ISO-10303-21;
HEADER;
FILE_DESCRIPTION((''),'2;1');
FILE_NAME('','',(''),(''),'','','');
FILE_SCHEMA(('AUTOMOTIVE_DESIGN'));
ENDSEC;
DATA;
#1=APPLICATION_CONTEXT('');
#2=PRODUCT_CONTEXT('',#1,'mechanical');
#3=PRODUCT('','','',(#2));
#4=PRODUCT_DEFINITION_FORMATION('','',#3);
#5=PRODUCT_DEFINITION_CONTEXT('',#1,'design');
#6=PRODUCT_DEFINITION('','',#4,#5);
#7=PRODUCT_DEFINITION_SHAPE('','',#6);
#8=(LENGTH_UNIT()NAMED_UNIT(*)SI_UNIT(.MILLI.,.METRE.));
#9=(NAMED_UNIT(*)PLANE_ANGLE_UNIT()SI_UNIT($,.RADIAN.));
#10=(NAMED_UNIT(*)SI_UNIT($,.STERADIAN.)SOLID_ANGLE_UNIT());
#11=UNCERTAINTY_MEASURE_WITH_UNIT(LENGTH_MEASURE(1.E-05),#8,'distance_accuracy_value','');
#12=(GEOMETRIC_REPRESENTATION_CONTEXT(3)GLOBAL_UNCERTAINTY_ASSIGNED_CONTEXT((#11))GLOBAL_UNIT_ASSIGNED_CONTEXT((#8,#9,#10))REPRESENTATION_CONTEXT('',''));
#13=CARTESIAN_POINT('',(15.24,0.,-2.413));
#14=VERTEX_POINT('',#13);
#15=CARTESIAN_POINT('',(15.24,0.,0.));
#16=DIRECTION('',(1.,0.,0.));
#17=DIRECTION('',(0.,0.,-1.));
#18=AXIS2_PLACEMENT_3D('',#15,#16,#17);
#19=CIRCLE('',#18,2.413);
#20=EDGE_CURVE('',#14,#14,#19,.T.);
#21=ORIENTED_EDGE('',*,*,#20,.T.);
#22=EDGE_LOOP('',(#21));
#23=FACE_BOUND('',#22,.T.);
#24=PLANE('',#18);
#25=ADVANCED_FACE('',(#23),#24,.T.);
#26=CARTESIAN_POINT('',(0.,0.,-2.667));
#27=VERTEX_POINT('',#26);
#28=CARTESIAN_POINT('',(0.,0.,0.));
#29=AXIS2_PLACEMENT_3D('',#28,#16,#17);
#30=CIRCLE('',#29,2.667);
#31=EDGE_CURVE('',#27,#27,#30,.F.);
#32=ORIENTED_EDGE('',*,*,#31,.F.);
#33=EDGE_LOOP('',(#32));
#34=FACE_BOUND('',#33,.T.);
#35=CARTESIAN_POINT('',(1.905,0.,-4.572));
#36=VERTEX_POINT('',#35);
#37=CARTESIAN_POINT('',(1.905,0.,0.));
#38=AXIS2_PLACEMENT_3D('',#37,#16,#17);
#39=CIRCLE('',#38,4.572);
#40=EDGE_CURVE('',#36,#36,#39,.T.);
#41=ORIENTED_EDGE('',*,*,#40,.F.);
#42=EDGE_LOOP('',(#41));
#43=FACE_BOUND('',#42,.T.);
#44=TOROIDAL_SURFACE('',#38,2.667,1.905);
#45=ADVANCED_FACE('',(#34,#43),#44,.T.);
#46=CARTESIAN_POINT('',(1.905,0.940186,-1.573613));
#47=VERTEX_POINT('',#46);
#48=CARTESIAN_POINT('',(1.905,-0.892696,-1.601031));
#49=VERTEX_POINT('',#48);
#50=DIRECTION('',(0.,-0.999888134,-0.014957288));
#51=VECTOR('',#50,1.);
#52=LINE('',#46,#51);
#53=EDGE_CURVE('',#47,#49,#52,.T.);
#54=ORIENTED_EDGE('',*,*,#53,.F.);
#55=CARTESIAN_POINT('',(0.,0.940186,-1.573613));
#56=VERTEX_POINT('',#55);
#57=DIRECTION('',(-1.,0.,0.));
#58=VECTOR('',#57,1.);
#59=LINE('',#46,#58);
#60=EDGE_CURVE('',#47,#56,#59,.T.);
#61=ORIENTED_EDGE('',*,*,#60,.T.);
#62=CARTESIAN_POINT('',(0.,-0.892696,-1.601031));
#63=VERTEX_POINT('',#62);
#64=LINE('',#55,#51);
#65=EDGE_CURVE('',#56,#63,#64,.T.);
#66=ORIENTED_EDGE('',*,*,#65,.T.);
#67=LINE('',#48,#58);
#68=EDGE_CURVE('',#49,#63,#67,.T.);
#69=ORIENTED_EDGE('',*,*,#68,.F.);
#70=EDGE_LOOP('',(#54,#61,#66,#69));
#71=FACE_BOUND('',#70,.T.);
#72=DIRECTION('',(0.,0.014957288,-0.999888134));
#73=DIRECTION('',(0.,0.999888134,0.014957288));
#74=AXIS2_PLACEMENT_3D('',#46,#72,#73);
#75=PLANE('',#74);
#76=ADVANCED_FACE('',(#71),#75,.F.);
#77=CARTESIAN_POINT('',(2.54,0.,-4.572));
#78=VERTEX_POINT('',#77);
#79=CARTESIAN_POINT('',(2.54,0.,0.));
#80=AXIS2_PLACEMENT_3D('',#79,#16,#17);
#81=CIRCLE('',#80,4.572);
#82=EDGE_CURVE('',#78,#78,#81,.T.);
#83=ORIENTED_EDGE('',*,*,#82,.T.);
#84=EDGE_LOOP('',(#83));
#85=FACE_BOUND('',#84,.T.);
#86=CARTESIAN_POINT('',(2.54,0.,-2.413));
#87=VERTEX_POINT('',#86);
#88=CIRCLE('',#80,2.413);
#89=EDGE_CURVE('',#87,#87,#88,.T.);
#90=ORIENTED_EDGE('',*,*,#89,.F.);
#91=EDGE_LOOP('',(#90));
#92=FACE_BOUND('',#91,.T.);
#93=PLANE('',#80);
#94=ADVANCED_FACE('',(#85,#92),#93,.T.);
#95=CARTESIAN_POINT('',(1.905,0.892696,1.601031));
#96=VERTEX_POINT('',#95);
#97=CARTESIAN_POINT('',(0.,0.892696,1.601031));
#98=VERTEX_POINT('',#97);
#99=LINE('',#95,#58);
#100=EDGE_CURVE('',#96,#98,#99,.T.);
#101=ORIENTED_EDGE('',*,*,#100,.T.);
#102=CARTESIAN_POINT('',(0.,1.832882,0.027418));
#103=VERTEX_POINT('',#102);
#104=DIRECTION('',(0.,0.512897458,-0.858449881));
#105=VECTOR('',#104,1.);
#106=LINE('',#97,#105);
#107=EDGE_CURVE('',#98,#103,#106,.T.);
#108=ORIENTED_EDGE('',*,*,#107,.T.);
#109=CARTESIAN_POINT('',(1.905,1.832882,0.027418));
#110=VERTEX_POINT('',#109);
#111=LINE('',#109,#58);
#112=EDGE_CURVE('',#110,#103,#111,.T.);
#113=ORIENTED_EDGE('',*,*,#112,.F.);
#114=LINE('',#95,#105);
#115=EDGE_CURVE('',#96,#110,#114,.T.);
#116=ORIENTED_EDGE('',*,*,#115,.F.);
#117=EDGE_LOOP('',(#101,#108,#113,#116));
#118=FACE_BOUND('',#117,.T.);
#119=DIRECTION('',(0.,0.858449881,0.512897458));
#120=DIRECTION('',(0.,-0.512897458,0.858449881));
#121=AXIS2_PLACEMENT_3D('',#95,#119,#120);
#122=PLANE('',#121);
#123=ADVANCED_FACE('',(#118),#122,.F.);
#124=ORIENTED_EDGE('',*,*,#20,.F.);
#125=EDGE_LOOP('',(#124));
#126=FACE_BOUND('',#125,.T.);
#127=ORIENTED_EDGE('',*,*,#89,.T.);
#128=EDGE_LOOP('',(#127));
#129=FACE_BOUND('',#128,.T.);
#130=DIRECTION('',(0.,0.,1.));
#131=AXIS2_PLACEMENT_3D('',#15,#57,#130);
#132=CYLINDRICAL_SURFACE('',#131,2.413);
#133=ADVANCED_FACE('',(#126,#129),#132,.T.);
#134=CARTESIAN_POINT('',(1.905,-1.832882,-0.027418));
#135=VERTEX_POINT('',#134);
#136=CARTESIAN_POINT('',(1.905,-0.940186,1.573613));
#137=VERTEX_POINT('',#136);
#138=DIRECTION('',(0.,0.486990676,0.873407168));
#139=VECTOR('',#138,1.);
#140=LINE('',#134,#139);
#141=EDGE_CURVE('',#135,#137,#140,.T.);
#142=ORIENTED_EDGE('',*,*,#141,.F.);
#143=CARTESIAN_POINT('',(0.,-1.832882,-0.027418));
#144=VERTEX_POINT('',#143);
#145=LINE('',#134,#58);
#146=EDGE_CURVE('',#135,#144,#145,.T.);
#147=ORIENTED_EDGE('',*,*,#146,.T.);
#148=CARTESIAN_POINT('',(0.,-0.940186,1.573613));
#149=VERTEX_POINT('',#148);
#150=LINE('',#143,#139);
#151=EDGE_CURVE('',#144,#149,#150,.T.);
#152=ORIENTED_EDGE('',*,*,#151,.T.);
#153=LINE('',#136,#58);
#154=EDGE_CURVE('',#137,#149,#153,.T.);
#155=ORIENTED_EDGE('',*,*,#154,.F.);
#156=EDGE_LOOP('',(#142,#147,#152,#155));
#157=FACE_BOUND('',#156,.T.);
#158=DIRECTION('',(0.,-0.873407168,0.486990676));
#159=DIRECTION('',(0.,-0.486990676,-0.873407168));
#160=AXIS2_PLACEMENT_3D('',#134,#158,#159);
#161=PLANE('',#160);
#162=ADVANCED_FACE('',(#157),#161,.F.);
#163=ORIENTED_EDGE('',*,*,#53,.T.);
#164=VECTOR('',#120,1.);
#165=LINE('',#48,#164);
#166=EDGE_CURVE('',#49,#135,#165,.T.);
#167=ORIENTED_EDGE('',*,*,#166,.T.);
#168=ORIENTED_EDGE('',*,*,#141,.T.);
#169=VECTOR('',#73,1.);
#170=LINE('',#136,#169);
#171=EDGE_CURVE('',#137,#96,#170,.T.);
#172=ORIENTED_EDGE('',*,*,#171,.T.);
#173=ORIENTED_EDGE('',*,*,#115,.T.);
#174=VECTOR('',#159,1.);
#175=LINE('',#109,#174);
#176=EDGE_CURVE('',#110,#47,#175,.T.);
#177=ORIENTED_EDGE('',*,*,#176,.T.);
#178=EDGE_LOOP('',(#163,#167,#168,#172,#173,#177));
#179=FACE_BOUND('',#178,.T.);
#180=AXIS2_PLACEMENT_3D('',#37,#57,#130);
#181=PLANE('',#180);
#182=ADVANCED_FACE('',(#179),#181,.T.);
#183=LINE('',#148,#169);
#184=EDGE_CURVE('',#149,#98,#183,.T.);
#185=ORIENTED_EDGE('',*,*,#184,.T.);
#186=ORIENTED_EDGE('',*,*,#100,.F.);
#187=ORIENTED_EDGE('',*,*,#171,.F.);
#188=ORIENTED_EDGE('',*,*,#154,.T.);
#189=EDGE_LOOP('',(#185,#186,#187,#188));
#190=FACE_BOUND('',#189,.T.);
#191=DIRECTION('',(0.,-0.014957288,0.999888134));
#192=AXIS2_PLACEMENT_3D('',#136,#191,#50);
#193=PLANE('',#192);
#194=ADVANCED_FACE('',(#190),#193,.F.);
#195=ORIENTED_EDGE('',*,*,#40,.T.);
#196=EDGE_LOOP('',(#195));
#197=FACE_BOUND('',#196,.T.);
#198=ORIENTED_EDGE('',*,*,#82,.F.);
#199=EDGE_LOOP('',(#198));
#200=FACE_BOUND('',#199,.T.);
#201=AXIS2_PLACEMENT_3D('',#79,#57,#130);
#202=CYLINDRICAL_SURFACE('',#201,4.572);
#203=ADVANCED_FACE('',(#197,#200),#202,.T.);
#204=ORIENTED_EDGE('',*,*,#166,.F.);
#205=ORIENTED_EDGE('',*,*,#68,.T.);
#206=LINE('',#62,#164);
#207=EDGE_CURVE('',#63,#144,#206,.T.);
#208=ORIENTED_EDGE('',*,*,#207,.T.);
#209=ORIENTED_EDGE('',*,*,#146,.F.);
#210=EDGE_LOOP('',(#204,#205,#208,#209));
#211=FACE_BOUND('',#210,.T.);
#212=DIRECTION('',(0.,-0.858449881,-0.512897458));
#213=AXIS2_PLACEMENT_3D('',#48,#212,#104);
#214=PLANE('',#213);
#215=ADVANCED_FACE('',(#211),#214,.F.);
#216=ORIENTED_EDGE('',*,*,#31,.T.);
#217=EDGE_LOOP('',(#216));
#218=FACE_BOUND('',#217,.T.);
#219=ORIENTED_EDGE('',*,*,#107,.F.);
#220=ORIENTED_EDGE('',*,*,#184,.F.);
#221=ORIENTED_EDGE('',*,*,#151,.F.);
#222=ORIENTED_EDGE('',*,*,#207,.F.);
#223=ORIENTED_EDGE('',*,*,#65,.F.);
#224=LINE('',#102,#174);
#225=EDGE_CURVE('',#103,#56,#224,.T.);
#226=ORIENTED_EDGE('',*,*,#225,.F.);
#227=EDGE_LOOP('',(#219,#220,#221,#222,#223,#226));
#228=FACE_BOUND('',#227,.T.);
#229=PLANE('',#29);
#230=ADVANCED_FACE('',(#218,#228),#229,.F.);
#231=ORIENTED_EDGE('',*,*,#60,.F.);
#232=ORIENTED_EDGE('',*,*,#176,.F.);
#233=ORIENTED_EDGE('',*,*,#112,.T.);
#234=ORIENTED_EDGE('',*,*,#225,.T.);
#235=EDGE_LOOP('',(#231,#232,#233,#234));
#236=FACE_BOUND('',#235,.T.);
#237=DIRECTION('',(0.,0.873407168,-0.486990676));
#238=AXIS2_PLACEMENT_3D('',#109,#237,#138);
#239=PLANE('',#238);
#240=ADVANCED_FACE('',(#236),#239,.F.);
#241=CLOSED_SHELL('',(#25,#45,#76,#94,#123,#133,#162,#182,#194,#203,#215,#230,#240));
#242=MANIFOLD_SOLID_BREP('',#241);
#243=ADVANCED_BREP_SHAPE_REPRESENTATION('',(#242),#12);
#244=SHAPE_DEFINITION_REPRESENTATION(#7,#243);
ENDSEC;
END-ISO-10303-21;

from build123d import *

# Parameters (mm, degrees)
SKETCH1_R           = 4.572
BOSS_EXTRUDE1_DEPTH = 2.54
SKETCH2_R           = 2.413
BOSS_EXTRUDE2_DEPTH = 12.7
FILLET1_R           = 1.905
CUT_EXTRUDE1_DEPTH  = 1.905


with BuildPart() as part:
    # Sketch1 → Boss-Extrude1 (new body)
    with BuildSketch(Plane(origin=(0, 0, 0), x_dir=(0, 0, -1), z_dir=(1, 0, 0))):
        Circle(SKETCH1_R)
    extrude(amount=BOSS_EXTRUDE1_DEPTH)

    # Sketch2 → Boss-Extrude2 (add)
    with BuildSketch(Plane(origin=(2.54, 0, 0), x_dir=(0, 0, -1), z_dir=(1, 0, 0))):
        Circle(SKETCH2_R)
    extrude(amount=BOSS_EXTRUDE2_DEPTH)

    # Fillet1
    fillet1_edges = [part.edges().sort_by_distance(p)[0] for p in [
        (0, 0, 4.572),
    ]]
    fillet(fillet1_edges, radius=FILLET1_R)

    # Sketch3 → Cut-Extrude1 (cut)
    with BuildSketch(Plane.ZY):
        Polygon((1.573613406, -0.940185716), (1.601031418, 0.892696328), (0.027418011, 1.832882044), (-1.573613406, 0.940185716), (-1.601031418, -0.892696328), (-0.027418011, -1.832882044), align=None)
    extrude(amount=-CUT_EXTRUDE1_DEPTH, mode=Mode.SUBTRACT)


solid = part.part
